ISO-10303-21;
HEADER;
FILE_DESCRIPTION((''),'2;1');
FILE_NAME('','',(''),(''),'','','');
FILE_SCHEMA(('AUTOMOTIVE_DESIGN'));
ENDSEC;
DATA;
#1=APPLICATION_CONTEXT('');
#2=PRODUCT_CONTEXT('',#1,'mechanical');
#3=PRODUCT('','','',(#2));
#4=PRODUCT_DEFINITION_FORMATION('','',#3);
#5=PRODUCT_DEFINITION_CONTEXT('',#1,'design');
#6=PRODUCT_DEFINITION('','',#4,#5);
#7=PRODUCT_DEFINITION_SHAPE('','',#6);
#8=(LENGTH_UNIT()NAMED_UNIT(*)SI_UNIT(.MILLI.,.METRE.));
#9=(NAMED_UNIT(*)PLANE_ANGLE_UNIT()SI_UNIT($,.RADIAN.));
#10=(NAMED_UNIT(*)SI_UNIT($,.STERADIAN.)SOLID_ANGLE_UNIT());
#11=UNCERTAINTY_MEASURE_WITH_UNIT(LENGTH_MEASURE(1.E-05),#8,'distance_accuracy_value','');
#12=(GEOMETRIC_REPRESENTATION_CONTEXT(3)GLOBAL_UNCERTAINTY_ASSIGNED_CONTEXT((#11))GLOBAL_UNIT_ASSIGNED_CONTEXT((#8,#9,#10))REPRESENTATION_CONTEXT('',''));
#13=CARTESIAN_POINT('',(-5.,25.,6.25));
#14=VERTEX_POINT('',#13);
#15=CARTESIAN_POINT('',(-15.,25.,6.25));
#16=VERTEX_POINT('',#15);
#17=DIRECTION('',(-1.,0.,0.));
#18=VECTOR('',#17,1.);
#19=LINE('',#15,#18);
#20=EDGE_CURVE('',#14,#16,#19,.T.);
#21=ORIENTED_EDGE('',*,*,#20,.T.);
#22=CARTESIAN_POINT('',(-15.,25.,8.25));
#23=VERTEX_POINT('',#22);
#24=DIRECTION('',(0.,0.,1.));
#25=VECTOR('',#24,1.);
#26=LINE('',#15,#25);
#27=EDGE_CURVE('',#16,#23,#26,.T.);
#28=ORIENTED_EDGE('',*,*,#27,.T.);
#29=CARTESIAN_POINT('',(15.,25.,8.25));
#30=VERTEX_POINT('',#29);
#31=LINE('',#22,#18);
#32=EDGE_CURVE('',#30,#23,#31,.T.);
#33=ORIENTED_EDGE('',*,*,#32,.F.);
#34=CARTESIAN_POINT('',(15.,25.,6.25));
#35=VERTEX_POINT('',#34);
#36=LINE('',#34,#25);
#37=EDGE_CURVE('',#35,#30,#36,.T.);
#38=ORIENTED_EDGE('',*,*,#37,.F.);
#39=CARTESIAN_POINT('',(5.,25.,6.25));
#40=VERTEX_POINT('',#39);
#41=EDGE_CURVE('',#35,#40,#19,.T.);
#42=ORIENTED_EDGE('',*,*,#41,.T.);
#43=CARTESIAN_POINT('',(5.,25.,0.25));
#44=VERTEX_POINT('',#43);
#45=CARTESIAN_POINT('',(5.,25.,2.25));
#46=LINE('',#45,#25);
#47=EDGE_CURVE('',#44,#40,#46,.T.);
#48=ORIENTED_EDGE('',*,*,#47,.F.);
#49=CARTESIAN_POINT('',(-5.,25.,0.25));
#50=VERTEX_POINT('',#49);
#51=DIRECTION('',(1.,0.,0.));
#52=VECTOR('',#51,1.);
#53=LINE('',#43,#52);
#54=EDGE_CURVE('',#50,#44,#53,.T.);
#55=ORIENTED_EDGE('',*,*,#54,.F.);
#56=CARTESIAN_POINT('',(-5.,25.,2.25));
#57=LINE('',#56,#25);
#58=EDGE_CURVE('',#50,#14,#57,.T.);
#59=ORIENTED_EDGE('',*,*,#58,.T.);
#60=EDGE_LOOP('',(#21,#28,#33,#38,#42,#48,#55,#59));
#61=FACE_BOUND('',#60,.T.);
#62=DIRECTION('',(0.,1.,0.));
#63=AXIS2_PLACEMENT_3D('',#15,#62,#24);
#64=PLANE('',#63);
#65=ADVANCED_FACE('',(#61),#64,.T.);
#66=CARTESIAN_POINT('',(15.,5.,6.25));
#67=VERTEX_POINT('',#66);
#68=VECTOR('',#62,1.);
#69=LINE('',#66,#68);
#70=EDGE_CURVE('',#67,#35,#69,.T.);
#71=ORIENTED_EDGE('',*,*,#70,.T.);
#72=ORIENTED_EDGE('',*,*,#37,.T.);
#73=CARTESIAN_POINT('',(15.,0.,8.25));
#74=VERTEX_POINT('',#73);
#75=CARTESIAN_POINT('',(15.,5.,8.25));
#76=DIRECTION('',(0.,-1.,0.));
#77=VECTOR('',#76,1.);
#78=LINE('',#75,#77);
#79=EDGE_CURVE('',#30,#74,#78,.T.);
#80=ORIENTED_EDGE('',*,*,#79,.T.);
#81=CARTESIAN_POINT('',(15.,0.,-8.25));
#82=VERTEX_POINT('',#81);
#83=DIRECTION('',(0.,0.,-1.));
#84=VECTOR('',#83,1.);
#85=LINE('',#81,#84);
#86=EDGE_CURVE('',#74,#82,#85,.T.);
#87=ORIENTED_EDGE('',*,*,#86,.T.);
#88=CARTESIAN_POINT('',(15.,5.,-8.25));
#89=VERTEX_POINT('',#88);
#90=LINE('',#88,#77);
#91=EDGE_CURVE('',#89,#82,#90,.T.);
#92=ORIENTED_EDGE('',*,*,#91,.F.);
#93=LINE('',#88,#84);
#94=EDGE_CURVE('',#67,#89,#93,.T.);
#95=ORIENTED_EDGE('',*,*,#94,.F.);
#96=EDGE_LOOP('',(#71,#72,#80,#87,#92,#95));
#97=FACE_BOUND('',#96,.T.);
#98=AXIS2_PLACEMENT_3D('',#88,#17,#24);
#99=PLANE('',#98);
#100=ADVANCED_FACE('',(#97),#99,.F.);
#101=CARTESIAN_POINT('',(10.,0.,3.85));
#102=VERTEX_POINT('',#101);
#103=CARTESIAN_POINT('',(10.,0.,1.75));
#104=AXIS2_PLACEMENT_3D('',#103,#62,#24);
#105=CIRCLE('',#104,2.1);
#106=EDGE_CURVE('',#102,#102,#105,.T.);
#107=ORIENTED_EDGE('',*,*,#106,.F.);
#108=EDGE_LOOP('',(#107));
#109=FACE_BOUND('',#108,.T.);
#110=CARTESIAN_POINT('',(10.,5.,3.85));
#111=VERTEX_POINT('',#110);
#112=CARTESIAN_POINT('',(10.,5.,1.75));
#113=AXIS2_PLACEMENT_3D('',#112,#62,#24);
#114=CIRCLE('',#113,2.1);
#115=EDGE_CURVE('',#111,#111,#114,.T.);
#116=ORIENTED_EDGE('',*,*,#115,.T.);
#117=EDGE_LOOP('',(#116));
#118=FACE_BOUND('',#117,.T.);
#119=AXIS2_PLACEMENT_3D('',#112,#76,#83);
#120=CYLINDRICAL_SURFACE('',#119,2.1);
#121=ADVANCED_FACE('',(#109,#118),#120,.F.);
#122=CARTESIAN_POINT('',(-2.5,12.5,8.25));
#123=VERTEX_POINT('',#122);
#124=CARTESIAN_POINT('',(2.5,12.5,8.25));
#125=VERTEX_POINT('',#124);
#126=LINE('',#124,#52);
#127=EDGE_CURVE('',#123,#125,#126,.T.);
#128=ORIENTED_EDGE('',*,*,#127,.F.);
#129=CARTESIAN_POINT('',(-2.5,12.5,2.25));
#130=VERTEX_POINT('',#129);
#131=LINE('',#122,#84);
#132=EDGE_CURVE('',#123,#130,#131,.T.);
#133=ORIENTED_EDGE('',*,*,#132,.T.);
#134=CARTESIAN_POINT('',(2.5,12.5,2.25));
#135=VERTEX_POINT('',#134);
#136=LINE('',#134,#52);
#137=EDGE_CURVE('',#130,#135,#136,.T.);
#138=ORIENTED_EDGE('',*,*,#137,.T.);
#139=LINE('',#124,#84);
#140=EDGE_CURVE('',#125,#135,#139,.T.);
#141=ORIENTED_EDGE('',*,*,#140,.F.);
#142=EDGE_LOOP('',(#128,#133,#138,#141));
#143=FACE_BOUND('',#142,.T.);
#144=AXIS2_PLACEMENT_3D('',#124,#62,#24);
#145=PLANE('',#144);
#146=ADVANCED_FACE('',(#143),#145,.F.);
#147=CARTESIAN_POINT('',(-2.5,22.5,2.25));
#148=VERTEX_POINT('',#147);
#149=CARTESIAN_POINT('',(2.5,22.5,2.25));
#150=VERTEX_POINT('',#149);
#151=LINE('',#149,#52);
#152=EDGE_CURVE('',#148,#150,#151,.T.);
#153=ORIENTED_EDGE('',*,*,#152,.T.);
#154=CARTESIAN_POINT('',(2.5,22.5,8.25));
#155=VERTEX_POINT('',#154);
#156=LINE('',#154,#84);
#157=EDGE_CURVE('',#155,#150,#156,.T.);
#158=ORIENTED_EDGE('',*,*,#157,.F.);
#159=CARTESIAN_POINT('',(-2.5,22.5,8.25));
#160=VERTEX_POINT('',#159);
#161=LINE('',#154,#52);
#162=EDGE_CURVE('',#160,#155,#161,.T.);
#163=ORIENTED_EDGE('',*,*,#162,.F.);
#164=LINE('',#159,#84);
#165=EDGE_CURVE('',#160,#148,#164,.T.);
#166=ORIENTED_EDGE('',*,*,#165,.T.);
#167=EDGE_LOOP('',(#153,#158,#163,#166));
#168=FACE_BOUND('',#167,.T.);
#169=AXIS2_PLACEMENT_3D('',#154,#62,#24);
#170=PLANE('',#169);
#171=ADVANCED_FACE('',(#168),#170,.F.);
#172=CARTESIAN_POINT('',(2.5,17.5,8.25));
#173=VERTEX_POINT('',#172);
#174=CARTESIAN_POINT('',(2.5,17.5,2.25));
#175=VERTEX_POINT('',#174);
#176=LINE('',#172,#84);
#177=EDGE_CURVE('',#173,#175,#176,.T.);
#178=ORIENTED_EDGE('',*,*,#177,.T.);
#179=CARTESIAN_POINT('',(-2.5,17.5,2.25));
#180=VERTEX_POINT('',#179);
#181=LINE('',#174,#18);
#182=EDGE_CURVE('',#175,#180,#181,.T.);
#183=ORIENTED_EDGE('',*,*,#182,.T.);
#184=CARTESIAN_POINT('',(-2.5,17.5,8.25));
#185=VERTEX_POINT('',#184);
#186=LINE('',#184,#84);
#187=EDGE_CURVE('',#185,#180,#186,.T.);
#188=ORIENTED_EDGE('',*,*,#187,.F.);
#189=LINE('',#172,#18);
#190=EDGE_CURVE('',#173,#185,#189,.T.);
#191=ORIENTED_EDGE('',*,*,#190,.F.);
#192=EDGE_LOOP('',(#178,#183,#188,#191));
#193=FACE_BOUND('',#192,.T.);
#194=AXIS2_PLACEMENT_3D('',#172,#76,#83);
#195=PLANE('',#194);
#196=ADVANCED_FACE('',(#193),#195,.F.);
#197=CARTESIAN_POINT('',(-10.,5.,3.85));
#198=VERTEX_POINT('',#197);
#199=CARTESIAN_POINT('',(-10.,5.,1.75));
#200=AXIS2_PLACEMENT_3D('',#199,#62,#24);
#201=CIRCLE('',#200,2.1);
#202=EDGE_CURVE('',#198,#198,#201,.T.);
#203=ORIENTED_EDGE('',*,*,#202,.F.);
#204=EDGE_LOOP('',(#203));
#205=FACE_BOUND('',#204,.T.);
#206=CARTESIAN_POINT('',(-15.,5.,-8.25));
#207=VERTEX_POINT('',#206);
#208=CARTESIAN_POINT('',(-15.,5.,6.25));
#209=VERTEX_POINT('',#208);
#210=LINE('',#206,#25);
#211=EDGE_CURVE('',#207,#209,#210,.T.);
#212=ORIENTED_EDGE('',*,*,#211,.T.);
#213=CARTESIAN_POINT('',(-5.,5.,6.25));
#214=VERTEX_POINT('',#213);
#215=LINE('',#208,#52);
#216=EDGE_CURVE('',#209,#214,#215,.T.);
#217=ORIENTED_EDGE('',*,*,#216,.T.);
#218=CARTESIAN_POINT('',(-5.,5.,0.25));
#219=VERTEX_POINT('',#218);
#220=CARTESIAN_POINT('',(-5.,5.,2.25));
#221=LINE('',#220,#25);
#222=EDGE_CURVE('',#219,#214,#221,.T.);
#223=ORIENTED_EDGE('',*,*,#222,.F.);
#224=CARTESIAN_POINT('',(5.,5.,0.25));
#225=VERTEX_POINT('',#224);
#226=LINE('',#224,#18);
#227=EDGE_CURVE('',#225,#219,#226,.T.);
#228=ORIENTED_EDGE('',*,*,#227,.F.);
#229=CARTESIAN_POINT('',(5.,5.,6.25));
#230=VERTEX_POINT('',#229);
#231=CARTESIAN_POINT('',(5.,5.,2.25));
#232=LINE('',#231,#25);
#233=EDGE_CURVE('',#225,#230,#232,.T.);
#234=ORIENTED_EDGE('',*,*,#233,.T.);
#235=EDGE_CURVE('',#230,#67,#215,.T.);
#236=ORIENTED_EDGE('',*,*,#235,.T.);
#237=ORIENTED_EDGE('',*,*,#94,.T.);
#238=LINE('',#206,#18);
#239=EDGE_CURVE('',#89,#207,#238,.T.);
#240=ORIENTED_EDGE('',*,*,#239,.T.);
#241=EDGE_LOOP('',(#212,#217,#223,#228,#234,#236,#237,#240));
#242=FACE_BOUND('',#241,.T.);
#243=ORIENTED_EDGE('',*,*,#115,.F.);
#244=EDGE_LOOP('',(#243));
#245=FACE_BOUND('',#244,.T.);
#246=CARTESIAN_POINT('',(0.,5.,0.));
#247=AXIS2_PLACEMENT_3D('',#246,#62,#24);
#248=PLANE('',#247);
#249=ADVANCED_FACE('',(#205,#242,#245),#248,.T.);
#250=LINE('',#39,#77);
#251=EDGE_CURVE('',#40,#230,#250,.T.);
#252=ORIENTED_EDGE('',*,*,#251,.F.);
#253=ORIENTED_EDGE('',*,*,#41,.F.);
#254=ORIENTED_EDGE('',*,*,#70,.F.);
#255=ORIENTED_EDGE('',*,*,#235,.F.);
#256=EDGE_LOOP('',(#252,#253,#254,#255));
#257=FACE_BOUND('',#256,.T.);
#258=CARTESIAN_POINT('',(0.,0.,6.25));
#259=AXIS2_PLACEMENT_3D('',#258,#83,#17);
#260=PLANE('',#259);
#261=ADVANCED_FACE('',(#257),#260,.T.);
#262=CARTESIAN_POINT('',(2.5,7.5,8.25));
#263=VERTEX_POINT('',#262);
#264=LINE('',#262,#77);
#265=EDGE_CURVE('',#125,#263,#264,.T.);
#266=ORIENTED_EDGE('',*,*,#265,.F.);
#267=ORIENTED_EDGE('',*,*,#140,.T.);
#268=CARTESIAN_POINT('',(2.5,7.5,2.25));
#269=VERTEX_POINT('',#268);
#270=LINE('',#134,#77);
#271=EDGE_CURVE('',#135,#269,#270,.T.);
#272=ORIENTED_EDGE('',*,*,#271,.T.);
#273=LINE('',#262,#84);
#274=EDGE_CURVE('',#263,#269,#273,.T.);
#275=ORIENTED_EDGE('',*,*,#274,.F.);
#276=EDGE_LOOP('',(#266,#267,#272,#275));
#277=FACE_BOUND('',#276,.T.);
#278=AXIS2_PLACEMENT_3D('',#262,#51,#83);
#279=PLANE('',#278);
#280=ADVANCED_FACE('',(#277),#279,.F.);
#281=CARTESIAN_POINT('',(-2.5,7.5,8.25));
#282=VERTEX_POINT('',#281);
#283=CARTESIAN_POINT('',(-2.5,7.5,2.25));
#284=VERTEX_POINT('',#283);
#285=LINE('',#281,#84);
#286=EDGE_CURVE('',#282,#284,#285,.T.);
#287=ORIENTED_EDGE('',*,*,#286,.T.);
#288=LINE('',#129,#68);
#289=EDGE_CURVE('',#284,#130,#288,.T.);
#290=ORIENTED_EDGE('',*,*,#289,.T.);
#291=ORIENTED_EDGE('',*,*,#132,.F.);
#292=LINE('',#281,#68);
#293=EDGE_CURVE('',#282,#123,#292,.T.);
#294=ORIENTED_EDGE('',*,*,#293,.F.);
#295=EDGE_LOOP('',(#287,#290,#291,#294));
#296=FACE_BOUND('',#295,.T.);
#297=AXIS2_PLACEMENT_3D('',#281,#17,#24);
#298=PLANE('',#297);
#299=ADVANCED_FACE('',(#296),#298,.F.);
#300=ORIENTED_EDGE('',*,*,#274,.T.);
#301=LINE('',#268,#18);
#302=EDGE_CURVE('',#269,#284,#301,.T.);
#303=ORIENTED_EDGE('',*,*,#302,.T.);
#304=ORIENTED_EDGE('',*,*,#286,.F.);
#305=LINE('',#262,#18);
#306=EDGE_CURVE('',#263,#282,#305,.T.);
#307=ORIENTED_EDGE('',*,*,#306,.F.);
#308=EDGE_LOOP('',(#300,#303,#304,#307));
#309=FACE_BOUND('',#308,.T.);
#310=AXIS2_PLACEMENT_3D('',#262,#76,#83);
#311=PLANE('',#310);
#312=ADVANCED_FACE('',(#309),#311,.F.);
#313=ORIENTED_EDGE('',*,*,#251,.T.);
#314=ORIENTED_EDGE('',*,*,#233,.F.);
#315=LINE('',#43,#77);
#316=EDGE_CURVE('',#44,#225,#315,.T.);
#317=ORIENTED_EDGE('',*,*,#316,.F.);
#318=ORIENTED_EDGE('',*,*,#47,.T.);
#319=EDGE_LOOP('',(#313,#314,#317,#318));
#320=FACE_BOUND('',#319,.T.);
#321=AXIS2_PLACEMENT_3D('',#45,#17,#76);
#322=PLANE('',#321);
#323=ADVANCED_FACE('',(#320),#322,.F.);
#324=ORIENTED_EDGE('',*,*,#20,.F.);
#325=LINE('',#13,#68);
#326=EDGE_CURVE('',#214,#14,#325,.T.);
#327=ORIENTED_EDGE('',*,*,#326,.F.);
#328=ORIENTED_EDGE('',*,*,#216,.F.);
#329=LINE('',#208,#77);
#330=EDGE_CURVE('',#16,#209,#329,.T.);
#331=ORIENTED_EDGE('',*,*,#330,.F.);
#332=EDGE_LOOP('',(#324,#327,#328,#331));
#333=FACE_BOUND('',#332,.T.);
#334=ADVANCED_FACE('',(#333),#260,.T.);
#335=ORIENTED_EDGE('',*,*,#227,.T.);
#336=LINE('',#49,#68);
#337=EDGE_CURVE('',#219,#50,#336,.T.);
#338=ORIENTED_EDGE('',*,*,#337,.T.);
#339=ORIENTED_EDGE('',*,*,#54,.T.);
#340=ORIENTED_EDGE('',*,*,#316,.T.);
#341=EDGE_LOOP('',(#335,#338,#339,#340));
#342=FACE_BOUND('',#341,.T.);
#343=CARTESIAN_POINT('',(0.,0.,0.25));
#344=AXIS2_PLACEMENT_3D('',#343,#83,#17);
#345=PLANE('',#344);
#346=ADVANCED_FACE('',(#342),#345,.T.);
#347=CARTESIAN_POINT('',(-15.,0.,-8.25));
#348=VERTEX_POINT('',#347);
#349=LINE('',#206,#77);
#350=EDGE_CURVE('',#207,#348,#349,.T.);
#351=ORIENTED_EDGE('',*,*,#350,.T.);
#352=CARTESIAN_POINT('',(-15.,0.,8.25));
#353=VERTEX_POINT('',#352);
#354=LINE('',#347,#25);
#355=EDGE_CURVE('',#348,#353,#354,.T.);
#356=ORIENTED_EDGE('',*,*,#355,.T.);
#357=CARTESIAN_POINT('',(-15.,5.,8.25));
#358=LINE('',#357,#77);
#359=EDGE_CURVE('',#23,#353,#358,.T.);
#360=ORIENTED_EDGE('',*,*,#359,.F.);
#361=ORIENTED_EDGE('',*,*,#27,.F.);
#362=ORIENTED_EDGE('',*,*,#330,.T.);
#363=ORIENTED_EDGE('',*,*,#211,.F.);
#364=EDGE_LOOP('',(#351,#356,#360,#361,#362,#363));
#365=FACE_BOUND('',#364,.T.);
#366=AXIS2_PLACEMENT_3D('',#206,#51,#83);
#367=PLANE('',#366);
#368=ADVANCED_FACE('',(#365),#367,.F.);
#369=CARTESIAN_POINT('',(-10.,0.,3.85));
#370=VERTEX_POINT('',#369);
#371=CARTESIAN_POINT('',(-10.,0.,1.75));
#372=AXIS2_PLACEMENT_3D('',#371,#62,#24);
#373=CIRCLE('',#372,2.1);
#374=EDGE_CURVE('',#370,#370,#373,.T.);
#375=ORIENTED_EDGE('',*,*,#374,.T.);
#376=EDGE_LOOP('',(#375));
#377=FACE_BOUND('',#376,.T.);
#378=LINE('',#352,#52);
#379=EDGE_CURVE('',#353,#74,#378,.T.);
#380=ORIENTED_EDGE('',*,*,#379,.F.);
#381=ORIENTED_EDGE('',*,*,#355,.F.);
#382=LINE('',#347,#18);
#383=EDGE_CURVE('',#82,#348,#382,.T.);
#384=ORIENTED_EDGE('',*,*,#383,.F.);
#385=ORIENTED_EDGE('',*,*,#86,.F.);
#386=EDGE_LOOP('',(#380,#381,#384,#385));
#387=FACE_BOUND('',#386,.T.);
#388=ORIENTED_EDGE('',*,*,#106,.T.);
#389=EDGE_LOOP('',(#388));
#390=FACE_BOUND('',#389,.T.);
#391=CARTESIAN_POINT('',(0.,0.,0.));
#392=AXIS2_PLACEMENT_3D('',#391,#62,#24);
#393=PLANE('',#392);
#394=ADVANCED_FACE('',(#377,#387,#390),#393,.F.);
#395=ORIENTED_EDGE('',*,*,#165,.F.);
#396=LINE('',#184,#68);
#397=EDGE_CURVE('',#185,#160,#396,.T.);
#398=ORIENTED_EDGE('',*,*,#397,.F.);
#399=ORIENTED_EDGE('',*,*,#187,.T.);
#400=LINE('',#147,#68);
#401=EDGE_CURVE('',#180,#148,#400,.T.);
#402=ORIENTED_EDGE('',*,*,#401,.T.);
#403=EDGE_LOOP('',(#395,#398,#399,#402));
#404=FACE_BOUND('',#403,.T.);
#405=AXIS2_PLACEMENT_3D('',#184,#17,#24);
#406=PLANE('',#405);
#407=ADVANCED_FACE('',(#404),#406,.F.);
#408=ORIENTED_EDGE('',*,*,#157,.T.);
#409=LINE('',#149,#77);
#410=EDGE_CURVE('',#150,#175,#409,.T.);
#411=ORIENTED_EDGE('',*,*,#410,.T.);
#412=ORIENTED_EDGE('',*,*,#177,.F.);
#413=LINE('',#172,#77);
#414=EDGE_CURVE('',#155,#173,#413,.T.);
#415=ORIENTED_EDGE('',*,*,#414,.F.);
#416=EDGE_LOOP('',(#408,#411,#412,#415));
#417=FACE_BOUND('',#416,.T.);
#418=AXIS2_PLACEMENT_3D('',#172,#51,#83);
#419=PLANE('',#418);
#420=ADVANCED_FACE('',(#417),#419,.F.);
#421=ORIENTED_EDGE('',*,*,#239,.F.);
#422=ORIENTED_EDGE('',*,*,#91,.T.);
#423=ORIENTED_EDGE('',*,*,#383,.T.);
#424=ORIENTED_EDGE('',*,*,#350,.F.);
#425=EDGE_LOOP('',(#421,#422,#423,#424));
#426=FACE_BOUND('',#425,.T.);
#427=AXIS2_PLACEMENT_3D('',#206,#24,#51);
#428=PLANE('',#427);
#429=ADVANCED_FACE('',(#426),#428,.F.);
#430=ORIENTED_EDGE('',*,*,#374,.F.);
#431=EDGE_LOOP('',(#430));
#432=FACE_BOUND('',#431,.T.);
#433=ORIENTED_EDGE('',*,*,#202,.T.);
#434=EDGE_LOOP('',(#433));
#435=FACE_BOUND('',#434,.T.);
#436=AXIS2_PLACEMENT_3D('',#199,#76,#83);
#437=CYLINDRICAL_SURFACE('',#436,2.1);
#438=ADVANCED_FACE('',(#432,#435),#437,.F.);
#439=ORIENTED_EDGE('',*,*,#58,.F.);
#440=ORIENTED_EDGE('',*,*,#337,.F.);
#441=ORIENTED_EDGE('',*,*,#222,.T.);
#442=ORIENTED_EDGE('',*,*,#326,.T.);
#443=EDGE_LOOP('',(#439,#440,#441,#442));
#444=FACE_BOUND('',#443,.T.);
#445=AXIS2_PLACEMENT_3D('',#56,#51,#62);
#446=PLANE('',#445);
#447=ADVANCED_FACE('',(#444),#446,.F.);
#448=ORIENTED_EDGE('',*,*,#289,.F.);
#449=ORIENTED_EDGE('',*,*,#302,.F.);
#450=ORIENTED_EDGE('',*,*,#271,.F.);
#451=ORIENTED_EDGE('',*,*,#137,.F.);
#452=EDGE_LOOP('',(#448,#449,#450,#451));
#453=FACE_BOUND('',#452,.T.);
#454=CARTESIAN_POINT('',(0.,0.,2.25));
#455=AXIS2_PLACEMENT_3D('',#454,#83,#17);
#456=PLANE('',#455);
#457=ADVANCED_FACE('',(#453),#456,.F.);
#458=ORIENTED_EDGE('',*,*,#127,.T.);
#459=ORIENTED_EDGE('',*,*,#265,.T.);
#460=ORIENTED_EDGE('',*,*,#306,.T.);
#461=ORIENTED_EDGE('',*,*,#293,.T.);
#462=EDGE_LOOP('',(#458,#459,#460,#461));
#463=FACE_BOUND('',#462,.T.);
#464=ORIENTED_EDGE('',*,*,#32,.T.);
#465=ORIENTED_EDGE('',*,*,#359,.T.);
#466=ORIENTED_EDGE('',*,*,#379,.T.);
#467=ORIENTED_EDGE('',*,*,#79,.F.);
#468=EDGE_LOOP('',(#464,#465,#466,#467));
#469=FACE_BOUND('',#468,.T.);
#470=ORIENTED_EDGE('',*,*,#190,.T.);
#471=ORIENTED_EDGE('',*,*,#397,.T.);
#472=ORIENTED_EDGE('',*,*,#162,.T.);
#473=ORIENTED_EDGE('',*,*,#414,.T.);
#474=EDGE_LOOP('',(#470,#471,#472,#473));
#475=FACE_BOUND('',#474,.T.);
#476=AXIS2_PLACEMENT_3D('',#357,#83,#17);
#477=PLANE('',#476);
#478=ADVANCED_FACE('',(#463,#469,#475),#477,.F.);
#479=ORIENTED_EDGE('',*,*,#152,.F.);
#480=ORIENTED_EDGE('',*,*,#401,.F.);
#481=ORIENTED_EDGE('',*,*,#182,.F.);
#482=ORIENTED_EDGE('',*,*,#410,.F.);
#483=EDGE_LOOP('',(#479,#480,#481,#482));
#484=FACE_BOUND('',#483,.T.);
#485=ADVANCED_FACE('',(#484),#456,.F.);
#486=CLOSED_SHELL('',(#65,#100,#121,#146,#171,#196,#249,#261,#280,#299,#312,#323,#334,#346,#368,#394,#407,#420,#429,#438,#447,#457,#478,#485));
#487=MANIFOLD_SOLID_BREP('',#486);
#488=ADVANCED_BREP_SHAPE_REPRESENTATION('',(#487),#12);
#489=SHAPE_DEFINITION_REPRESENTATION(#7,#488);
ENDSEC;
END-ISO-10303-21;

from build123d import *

# Parameters (mm, degrees)
SKETCH1_W           = 30
SKETCH1_H           = 16.5
SKETCH1_R           = 2.1
BOSS_EXTRUDE1_DEPTH = 5
SKETCH2_W           = 30
SKETCH2_H           = 20
BOSS_EXTRUDE2_DEPTH = 2
SKETCH3_W           = 5
SKETCH3_H           = 5
CUT_EXTRUDE1_DEPTH  = 3
SKETCH4_W           = 10
SKETCH4_H           = 20
SKETCH4_W_2         = 5
SKETCH4_H_2         = 5
BOSS_EXTRUDE3_DEPTH = 4
SKETCH5_W           = 10
SKETCH5_H           = 20
BOSS_EXTRUDE4_DEPTH = 2


with BuildPart() as part:
    # Sketch1 → Boss-Extrude1 (new body)
    with BuildSketch(Plane(origin=(0, 0, 0), x_dir=(1, 0, 0), z_dir=(0, 1, 0))):
        Rectangle(SKETCH1_W, SKETCH1_H)
        with Locations((-10, -1.75)):
            Circle(SKETCH1_R, mode=Mode.SUBTRACT)
        with Locations((10, -1.75)):
            Circle(SKETCH1_R, mode=Mode.SUBTRACT)
    extrude(amount=BOSS_EXTRUDE1_DEPTH)

    # Sketch2 → Boss-Extrude2 (add)
    with BuildSketch(Plane.XY.offset(8.25)):
        with Locations((0, 15)):
            Rectangle(SKETCH2_W, SKETCH2_H)
    extrude(amount=-BOSS_EXTRUDE2_DEPTH)

    # Sketch3 → Cut-Extrude1 (cut, through all)
    with BuildSketch(Plane(origin=(0, 0, 6.25), x_dir=(-1, 0, 0), z_dir=(0, 0, -1))):
        with Locations((0, 10)):
            Rectangle(SKETCH3_W, SKETCH3_H)
        with Locations((0, 20)):
            Rectangle(SKETCH3_W, SKETCH3_H)
    extrude(amount=-CUT_EXTRUDE1_DEPTH, mode=Mode.SUBTRACT)

    # Sketch4 → Boss-Extrude3 (add)
    with BuildSketch(Plane(origin=(0, 0, 6.25), x_dir=(-1, 0, 0), z_dir=(0, 0, -1))):
        with Locations((0, 15)):
            Rectangle(SKETCH4_W, SKETCH4_H)
        with Locations((0, 20)):
            Rectangle(SKETCH4_W_2, SKETCH4_H_2, mode=Mode.SUBTRACT)
        with Locations((0, 10)):
            Rectangle(SKETCH4_W_2, SKETCH4_H_2, mode=Mode.SUBTRACT)
    extrude(amount=BOSS_EXTRUDE3_DEPTH)

    # Sketch5 → Boss-Extrude4 (add)
    with BuildSketch(Plane(origin=(0, 0, 2.25), x_dir=(-1, 0, 0), z_dir=(0, 0, -1))):
        with Locations((0, 15)):
            Rectangle(SKETCH5_W, SKETCH5_H)
    extrude(amount=BOSS_EXTRUDE4_DEPTH)


solid = part.part
